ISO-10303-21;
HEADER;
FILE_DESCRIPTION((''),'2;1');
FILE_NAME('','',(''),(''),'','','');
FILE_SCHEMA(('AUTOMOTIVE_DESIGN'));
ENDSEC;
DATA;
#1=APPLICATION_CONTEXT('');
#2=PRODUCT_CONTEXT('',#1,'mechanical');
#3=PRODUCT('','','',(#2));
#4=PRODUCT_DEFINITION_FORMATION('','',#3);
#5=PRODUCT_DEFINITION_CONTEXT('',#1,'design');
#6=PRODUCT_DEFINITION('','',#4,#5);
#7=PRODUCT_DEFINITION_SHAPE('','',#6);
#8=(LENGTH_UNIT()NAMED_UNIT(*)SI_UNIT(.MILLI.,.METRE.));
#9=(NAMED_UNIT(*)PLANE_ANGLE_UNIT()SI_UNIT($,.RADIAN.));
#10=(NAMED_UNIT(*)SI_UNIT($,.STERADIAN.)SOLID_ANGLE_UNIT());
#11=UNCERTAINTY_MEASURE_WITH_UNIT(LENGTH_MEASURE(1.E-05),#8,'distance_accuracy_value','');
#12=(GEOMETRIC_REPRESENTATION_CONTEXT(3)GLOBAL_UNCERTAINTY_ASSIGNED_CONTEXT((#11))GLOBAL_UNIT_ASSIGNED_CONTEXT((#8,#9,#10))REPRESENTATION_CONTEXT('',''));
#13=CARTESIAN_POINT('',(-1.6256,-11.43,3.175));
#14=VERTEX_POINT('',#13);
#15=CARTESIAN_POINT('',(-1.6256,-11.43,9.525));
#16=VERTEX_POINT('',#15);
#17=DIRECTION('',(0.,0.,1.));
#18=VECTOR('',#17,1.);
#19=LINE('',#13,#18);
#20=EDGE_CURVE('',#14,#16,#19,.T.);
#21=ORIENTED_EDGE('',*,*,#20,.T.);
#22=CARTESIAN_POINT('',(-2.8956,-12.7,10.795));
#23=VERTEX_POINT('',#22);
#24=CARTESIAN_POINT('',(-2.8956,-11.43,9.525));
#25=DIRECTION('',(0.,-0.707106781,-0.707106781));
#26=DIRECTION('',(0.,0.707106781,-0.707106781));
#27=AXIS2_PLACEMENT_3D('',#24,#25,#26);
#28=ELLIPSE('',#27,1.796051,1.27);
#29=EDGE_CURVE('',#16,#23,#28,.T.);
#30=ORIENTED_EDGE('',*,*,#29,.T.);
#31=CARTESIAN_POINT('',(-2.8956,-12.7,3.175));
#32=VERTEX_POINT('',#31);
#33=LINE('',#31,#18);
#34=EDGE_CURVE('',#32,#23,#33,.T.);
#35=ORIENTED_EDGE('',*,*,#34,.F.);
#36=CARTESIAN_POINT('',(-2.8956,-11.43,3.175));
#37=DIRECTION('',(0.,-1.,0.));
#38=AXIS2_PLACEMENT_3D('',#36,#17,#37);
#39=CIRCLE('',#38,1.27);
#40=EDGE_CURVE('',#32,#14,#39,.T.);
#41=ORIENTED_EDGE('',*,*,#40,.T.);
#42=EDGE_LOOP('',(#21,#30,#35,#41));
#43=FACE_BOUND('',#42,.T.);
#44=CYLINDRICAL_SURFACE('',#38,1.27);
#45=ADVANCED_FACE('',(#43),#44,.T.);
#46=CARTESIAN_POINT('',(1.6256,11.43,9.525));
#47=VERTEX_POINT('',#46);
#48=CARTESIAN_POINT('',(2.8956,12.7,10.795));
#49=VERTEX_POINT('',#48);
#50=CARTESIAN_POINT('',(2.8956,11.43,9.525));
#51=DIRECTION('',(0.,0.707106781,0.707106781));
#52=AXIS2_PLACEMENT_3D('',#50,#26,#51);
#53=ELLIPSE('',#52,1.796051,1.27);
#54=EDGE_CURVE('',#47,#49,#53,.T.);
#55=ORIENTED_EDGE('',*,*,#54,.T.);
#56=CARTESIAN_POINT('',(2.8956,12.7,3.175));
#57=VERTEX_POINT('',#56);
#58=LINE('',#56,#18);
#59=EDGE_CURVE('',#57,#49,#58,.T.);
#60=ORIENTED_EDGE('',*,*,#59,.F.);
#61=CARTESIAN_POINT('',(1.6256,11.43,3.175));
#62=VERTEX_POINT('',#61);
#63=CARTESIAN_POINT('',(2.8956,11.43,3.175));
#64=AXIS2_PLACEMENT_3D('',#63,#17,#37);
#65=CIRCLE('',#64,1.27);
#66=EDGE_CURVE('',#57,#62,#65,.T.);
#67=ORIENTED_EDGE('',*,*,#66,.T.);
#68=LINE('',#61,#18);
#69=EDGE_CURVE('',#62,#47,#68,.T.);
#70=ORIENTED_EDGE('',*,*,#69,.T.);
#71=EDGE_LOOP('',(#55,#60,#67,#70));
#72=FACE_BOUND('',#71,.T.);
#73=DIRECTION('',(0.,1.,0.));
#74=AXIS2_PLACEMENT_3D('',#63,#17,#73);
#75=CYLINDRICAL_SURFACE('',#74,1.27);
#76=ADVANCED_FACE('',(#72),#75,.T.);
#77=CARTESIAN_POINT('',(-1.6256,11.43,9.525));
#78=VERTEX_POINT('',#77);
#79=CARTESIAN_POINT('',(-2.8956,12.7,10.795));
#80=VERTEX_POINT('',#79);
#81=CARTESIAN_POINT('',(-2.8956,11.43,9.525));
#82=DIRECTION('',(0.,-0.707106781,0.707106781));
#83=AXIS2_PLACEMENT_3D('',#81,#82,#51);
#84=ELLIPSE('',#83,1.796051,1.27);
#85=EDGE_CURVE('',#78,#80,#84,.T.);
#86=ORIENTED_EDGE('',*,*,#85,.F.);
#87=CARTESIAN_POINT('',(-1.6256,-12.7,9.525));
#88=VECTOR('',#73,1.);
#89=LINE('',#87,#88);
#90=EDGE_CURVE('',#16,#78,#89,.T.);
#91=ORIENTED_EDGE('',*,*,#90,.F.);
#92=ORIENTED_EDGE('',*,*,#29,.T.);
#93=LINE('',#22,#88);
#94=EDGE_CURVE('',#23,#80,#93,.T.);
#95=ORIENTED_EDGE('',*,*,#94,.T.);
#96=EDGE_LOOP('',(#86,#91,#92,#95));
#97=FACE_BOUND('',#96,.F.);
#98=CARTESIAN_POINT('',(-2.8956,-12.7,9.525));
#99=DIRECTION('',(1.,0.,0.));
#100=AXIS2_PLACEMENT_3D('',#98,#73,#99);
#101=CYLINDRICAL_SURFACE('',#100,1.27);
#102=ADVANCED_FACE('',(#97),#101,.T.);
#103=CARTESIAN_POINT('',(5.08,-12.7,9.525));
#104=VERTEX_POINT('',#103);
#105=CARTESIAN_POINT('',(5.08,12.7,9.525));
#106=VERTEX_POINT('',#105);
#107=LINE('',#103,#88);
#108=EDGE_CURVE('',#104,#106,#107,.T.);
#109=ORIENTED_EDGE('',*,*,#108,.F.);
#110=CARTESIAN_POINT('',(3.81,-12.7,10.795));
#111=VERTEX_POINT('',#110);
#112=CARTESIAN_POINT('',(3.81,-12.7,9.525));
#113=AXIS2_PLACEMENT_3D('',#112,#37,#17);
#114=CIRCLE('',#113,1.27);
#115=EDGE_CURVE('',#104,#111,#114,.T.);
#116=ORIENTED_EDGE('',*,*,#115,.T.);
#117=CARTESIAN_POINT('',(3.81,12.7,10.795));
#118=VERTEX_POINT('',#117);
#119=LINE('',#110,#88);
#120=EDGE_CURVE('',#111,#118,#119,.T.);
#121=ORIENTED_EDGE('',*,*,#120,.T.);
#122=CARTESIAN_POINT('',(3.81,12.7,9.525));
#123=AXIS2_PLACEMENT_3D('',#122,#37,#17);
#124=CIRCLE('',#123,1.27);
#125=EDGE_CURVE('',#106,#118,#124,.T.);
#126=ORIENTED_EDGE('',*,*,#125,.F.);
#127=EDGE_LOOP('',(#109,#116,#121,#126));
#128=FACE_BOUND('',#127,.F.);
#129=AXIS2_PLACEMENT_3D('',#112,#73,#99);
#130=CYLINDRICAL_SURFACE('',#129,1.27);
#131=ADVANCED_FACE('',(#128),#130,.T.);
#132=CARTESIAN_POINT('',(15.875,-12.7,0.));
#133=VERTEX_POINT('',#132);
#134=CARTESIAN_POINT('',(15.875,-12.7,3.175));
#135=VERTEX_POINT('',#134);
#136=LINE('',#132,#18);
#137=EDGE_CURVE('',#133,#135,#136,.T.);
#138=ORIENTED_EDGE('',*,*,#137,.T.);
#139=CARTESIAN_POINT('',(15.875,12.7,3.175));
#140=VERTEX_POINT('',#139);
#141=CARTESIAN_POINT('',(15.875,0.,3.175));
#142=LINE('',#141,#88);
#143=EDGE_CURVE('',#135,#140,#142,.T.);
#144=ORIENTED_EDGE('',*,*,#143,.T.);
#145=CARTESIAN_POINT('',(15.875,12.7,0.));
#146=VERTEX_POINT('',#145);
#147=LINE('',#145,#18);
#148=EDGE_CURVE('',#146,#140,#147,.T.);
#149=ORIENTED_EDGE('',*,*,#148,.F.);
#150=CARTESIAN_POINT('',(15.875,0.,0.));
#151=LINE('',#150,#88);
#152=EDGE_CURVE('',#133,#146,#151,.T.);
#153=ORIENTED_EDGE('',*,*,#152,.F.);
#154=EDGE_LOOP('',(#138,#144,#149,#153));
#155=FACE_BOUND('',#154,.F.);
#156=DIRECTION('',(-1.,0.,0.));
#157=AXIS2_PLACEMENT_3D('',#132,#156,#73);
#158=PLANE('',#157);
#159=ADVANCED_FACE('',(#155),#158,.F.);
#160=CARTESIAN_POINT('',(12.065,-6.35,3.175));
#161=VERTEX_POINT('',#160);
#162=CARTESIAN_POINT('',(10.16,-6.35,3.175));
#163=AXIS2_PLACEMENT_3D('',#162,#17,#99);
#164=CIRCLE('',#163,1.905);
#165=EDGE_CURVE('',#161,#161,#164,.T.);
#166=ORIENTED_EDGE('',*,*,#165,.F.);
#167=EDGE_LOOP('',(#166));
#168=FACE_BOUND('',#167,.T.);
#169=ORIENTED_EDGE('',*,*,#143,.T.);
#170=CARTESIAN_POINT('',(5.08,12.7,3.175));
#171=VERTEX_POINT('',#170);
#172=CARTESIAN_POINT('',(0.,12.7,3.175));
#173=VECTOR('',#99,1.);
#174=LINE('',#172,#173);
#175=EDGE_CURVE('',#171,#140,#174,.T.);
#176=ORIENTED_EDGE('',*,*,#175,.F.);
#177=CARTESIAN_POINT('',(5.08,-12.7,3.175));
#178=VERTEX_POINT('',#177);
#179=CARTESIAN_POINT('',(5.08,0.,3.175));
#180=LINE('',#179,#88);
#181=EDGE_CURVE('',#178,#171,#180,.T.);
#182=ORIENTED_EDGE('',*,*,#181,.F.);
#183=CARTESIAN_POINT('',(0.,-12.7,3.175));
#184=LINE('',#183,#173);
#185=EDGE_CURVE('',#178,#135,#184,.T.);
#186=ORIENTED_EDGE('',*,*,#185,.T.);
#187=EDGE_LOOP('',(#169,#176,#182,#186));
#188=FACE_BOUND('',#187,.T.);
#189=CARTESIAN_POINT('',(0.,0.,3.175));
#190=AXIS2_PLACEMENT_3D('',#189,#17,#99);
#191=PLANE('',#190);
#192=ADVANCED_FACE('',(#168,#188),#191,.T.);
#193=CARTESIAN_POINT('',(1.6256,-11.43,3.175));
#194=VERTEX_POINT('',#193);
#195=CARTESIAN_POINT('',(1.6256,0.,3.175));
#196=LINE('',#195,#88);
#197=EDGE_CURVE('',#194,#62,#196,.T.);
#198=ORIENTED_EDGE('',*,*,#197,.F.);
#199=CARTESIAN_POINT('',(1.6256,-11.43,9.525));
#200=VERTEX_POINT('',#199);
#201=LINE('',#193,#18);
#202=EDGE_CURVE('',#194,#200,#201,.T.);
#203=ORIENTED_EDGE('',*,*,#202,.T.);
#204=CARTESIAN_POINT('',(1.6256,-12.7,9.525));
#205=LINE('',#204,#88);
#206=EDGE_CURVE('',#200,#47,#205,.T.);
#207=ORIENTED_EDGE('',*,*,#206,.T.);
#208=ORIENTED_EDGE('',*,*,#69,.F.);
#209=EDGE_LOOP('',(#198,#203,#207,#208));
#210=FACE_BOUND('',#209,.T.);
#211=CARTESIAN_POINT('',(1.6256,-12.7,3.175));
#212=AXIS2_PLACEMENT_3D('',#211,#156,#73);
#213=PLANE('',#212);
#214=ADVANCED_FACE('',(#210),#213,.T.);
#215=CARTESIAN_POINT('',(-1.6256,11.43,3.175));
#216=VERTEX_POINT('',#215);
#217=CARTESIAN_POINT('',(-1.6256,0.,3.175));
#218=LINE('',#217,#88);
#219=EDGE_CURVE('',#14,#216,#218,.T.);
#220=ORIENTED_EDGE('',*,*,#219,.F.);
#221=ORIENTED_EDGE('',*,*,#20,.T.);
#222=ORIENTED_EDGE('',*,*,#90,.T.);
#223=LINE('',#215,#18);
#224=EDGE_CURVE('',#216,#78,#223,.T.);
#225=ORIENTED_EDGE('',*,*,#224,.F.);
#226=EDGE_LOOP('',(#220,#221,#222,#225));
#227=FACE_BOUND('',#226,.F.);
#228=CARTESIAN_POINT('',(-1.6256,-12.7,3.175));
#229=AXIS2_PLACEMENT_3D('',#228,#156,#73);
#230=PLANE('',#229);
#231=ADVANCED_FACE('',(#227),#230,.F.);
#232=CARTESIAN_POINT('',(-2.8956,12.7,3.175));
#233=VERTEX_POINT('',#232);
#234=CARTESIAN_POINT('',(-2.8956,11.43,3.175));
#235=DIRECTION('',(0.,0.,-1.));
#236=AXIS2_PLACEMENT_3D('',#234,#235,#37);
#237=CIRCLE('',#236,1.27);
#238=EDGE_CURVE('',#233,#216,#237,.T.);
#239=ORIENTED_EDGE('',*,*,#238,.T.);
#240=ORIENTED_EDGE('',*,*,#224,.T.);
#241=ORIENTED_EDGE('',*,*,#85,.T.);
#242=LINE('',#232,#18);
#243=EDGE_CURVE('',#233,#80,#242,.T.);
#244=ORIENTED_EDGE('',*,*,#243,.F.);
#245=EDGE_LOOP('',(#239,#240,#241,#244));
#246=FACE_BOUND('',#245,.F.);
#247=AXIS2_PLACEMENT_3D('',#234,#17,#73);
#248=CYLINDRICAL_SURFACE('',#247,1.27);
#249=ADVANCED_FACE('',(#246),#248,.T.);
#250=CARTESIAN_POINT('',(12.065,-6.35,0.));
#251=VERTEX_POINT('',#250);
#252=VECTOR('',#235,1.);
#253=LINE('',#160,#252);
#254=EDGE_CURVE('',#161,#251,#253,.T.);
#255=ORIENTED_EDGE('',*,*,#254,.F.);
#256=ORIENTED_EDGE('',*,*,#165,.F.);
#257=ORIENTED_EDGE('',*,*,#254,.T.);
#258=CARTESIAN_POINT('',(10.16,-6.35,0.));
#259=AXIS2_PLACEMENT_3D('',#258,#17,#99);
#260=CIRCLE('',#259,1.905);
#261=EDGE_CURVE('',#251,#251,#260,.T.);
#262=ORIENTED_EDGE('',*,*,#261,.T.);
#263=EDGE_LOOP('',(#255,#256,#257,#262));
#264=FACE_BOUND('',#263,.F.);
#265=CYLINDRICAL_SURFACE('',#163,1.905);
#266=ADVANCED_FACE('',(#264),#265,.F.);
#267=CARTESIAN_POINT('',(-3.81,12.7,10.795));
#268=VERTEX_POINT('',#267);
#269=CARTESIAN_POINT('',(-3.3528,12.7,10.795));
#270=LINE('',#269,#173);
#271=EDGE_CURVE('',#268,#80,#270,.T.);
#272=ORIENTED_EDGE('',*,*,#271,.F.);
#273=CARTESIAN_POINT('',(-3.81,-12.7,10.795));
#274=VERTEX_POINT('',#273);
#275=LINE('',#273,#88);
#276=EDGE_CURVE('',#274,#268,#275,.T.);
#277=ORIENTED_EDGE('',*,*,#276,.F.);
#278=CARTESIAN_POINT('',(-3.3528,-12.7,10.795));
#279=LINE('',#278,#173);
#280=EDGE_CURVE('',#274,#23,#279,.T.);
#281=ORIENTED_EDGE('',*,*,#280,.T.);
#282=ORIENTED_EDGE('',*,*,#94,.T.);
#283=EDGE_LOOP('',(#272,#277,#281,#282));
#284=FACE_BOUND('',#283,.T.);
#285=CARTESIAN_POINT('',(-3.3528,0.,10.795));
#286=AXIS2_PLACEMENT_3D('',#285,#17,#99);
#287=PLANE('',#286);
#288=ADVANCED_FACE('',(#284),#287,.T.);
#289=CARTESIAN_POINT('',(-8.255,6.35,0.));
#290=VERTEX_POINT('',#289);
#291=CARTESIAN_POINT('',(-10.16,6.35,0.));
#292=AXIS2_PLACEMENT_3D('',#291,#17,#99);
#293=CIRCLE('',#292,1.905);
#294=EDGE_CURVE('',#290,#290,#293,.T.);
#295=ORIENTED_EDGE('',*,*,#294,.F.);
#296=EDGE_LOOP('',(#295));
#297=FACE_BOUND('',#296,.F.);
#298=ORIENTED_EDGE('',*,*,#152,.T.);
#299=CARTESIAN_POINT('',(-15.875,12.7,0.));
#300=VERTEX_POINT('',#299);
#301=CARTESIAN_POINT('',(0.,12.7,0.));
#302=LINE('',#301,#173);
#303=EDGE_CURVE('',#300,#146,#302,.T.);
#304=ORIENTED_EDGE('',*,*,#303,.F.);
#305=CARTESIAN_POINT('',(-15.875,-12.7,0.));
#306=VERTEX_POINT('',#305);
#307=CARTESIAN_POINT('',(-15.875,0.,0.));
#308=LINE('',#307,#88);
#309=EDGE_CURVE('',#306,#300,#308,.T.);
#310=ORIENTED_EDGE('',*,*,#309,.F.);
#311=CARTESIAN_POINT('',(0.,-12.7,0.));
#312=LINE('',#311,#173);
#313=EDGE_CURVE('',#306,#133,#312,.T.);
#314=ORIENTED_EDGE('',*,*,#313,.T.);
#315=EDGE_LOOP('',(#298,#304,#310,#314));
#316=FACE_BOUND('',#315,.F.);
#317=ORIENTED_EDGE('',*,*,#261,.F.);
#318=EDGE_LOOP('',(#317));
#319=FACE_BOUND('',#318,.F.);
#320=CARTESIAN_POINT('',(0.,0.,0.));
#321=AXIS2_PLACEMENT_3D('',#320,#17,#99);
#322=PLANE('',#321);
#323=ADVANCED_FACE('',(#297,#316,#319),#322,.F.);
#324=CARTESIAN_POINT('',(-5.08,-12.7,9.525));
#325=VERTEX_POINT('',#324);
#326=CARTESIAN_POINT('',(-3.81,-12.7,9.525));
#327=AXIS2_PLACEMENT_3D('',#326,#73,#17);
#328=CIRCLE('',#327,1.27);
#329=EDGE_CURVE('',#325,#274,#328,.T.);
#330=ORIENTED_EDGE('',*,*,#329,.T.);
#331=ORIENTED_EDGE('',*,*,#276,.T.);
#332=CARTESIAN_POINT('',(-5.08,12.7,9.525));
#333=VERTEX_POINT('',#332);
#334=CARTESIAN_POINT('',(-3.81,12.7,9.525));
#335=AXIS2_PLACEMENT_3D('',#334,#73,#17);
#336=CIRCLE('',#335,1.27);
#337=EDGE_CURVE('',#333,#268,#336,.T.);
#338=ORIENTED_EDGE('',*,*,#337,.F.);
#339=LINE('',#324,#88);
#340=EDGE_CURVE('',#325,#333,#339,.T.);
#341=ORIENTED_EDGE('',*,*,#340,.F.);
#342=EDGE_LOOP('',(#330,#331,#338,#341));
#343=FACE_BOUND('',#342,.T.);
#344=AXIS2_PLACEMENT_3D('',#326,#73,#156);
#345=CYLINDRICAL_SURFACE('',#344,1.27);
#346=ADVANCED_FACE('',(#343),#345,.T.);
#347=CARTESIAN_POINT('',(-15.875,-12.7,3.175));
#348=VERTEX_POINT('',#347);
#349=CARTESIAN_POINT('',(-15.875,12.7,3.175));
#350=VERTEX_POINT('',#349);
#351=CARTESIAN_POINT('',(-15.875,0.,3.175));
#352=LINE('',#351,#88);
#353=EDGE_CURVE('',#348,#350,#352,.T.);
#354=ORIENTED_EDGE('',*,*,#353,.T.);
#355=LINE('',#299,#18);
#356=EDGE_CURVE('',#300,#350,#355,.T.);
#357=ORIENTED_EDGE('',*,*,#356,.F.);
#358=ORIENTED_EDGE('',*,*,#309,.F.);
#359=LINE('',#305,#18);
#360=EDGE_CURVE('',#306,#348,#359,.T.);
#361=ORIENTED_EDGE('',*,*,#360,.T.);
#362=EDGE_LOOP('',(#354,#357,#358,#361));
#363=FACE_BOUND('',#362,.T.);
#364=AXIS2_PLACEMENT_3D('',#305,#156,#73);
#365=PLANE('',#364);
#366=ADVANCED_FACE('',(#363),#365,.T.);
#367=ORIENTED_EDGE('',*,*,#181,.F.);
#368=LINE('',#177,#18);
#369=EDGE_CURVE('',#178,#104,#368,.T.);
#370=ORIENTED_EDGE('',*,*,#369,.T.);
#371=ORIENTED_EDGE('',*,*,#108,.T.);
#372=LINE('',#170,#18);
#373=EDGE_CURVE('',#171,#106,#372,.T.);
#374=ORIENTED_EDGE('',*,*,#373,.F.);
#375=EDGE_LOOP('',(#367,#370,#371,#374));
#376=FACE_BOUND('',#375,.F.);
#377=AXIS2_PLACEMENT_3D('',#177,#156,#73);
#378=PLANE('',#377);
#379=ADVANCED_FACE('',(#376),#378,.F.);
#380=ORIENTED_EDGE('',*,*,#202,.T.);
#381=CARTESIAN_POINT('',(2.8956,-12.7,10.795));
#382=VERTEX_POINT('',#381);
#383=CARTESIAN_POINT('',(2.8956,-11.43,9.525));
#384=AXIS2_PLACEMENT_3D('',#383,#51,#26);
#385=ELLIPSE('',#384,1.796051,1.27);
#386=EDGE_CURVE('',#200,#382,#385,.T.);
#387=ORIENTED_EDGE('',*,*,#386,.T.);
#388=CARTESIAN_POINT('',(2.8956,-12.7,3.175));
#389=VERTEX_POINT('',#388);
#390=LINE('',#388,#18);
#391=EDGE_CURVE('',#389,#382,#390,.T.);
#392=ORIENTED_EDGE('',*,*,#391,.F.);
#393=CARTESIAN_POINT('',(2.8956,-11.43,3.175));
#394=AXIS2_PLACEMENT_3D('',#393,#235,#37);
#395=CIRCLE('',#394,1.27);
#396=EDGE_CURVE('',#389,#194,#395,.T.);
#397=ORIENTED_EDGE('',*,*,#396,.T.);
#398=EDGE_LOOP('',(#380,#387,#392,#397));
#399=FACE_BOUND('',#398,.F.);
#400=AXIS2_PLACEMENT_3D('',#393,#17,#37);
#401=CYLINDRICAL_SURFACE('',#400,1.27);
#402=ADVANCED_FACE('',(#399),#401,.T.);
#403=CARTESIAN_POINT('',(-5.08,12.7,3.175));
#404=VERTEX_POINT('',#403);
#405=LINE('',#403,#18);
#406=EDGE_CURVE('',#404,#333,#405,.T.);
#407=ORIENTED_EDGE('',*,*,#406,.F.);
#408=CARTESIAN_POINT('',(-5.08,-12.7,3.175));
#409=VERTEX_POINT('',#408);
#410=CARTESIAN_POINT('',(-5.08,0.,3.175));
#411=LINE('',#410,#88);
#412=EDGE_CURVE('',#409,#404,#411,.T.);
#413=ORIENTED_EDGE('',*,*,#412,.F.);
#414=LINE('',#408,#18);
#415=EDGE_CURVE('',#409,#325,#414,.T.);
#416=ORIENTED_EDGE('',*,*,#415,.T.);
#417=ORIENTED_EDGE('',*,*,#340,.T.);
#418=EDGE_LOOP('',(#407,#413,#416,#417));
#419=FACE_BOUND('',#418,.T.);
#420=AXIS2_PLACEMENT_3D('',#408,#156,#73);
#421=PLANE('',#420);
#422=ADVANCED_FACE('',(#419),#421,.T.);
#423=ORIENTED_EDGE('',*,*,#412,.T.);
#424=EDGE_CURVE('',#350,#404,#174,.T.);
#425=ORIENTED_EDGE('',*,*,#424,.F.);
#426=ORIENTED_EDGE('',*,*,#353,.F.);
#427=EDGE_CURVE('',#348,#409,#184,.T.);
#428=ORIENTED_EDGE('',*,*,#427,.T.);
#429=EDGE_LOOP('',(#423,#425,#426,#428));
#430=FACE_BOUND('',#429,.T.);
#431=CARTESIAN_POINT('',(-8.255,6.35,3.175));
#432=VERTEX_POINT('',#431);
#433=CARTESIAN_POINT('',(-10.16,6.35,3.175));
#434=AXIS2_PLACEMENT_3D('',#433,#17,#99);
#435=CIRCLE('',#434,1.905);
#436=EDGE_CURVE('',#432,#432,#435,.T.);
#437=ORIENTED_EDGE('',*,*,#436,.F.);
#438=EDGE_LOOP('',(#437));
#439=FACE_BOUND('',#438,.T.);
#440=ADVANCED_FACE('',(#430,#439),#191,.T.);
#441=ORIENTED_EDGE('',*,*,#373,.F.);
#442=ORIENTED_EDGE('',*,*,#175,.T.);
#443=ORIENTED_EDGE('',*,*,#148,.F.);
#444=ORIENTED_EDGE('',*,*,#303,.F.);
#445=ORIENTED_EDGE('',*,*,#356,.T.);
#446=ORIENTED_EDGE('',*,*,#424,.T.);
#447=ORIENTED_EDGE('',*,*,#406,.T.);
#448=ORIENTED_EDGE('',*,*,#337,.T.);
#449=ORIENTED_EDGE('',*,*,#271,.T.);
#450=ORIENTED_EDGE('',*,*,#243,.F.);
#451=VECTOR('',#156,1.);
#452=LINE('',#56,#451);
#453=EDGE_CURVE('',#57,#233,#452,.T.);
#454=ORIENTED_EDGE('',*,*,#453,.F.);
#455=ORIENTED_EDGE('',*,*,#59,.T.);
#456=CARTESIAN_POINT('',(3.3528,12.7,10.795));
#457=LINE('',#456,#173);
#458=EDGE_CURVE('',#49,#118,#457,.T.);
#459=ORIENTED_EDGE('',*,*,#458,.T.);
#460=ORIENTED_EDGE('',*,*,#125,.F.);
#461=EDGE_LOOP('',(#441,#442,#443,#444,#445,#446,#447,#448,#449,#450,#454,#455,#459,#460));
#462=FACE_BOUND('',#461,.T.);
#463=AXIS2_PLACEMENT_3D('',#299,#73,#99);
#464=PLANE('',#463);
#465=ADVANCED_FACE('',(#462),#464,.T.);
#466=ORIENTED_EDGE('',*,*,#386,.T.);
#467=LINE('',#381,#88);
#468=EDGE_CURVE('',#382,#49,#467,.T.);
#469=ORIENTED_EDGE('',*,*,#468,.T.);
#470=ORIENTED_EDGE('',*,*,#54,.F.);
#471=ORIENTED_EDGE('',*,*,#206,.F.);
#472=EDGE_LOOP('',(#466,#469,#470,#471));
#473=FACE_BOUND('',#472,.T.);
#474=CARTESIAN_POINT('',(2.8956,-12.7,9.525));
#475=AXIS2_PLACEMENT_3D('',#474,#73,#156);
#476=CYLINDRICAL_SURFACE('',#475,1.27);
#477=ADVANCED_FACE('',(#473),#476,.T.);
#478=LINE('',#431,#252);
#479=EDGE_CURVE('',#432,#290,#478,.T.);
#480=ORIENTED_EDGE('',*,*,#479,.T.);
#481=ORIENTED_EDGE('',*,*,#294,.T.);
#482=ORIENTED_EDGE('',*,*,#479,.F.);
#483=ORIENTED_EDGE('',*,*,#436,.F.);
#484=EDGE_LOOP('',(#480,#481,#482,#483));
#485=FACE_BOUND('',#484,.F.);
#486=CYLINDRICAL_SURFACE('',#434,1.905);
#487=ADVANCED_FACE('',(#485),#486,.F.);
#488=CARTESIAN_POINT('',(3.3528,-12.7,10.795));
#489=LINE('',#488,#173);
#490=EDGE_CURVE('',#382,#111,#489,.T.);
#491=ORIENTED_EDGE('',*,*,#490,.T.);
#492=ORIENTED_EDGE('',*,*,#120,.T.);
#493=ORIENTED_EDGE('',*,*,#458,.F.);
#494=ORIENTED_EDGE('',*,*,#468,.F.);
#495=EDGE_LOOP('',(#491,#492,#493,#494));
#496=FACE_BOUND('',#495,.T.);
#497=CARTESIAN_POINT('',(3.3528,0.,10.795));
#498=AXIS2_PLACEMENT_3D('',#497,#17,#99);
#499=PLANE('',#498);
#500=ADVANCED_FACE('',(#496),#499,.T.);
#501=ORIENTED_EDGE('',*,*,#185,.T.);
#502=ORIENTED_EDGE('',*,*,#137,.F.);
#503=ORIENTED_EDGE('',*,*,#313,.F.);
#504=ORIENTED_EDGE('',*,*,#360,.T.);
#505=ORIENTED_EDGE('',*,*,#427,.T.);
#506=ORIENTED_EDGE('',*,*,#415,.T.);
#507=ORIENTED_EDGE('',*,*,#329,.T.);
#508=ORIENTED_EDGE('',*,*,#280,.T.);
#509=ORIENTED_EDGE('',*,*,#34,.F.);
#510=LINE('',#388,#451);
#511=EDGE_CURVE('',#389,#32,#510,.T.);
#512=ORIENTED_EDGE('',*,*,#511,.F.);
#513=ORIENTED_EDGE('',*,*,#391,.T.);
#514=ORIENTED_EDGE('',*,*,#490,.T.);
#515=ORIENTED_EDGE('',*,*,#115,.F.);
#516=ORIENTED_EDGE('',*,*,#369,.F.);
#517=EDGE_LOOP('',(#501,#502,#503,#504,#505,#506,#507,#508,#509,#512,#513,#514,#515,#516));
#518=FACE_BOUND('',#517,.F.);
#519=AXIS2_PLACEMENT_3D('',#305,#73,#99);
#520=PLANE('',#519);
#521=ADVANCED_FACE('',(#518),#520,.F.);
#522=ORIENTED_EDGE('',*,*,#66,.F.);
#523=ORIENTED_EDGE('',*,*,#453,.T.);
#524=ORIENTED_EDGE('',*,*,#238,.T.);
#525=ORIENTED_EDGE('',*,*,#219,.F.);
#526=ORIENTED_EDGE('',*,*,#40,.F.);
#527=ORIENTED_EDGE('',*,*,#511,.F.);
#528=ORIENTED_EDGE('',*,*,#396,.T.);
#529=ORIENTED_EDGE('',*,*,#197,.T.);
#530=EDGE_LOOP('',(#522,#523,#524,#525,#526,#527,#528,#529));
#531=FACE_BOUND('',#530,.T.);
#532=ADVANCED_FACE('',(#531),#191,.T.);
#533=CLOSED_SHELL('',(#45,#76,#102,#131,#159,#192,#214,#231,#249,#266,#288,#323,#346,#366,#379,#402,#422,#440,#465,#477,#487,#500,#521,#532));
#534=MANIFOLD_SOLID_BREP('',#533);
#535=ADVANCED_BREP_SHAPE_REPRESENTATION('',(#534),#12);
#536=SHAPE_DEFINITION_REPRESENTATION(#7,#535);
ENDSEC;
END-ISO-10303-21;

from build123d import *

# Parameters (mm, degrees)
F0_W     = 31.75
F0_H     = 25.4
F1_DEPTH = 3.175
F2_W     = 3.4544
F2_H     = 25.4
F3_DEPTH = 7.62
F4_R     = 1.27
F5_R     = 1.905
F6_DEPTH = 3.175


with BuildPart() as f1:
    # F0 (on Top) → F1 (new body)
    with BuildSketch(Plane.XY):
        Rectangle(F0_W, F0_H)
    extrude(amount=F1_DEPTH)

    # F2 (on face) → F3 (join)
    with BuildSketch(Plane.XY.offset(3.175)):
        with Locations((-3.3528, 0)):
            Rectangle(F2_W, F2_H)
        with Locations((3.3528, 0)):
            Rectangle(F2_W, F2_H)
    extrude(amount=F3_DEPTH)

    # F4
    f4_edges = [f1.edges().sort_by_distance(p)[0] for p in [
        (-1.6256, 0, 10.795),
        (-5.08, 0, 10.795),
        (1.6256, 0, 10.795),
        (5.08, 0, 10.795),
        (1.6256, 12.7, 6.985),
        (-1.6256, 12.7, 6.985),
        (1.6256, -12.7, 6.985),
        (-1.6256, -12.7, 6.985),
    ]]
    fillet(f4_edges, radius=F4_R)

    # F5 (on face) → F6 (cut, through all)
    with BuildSketch(Plane.XY.offset(3.175)):
        with Locations((-10.16, 6.35)):
            Circle(F5_R)
        with Locations((10.16, -6.35)):
            Circle(F5_R)
    extrude(amount=-F6_DEPTH, mode=Mode.SUBTRACT)


solid = f1.part
